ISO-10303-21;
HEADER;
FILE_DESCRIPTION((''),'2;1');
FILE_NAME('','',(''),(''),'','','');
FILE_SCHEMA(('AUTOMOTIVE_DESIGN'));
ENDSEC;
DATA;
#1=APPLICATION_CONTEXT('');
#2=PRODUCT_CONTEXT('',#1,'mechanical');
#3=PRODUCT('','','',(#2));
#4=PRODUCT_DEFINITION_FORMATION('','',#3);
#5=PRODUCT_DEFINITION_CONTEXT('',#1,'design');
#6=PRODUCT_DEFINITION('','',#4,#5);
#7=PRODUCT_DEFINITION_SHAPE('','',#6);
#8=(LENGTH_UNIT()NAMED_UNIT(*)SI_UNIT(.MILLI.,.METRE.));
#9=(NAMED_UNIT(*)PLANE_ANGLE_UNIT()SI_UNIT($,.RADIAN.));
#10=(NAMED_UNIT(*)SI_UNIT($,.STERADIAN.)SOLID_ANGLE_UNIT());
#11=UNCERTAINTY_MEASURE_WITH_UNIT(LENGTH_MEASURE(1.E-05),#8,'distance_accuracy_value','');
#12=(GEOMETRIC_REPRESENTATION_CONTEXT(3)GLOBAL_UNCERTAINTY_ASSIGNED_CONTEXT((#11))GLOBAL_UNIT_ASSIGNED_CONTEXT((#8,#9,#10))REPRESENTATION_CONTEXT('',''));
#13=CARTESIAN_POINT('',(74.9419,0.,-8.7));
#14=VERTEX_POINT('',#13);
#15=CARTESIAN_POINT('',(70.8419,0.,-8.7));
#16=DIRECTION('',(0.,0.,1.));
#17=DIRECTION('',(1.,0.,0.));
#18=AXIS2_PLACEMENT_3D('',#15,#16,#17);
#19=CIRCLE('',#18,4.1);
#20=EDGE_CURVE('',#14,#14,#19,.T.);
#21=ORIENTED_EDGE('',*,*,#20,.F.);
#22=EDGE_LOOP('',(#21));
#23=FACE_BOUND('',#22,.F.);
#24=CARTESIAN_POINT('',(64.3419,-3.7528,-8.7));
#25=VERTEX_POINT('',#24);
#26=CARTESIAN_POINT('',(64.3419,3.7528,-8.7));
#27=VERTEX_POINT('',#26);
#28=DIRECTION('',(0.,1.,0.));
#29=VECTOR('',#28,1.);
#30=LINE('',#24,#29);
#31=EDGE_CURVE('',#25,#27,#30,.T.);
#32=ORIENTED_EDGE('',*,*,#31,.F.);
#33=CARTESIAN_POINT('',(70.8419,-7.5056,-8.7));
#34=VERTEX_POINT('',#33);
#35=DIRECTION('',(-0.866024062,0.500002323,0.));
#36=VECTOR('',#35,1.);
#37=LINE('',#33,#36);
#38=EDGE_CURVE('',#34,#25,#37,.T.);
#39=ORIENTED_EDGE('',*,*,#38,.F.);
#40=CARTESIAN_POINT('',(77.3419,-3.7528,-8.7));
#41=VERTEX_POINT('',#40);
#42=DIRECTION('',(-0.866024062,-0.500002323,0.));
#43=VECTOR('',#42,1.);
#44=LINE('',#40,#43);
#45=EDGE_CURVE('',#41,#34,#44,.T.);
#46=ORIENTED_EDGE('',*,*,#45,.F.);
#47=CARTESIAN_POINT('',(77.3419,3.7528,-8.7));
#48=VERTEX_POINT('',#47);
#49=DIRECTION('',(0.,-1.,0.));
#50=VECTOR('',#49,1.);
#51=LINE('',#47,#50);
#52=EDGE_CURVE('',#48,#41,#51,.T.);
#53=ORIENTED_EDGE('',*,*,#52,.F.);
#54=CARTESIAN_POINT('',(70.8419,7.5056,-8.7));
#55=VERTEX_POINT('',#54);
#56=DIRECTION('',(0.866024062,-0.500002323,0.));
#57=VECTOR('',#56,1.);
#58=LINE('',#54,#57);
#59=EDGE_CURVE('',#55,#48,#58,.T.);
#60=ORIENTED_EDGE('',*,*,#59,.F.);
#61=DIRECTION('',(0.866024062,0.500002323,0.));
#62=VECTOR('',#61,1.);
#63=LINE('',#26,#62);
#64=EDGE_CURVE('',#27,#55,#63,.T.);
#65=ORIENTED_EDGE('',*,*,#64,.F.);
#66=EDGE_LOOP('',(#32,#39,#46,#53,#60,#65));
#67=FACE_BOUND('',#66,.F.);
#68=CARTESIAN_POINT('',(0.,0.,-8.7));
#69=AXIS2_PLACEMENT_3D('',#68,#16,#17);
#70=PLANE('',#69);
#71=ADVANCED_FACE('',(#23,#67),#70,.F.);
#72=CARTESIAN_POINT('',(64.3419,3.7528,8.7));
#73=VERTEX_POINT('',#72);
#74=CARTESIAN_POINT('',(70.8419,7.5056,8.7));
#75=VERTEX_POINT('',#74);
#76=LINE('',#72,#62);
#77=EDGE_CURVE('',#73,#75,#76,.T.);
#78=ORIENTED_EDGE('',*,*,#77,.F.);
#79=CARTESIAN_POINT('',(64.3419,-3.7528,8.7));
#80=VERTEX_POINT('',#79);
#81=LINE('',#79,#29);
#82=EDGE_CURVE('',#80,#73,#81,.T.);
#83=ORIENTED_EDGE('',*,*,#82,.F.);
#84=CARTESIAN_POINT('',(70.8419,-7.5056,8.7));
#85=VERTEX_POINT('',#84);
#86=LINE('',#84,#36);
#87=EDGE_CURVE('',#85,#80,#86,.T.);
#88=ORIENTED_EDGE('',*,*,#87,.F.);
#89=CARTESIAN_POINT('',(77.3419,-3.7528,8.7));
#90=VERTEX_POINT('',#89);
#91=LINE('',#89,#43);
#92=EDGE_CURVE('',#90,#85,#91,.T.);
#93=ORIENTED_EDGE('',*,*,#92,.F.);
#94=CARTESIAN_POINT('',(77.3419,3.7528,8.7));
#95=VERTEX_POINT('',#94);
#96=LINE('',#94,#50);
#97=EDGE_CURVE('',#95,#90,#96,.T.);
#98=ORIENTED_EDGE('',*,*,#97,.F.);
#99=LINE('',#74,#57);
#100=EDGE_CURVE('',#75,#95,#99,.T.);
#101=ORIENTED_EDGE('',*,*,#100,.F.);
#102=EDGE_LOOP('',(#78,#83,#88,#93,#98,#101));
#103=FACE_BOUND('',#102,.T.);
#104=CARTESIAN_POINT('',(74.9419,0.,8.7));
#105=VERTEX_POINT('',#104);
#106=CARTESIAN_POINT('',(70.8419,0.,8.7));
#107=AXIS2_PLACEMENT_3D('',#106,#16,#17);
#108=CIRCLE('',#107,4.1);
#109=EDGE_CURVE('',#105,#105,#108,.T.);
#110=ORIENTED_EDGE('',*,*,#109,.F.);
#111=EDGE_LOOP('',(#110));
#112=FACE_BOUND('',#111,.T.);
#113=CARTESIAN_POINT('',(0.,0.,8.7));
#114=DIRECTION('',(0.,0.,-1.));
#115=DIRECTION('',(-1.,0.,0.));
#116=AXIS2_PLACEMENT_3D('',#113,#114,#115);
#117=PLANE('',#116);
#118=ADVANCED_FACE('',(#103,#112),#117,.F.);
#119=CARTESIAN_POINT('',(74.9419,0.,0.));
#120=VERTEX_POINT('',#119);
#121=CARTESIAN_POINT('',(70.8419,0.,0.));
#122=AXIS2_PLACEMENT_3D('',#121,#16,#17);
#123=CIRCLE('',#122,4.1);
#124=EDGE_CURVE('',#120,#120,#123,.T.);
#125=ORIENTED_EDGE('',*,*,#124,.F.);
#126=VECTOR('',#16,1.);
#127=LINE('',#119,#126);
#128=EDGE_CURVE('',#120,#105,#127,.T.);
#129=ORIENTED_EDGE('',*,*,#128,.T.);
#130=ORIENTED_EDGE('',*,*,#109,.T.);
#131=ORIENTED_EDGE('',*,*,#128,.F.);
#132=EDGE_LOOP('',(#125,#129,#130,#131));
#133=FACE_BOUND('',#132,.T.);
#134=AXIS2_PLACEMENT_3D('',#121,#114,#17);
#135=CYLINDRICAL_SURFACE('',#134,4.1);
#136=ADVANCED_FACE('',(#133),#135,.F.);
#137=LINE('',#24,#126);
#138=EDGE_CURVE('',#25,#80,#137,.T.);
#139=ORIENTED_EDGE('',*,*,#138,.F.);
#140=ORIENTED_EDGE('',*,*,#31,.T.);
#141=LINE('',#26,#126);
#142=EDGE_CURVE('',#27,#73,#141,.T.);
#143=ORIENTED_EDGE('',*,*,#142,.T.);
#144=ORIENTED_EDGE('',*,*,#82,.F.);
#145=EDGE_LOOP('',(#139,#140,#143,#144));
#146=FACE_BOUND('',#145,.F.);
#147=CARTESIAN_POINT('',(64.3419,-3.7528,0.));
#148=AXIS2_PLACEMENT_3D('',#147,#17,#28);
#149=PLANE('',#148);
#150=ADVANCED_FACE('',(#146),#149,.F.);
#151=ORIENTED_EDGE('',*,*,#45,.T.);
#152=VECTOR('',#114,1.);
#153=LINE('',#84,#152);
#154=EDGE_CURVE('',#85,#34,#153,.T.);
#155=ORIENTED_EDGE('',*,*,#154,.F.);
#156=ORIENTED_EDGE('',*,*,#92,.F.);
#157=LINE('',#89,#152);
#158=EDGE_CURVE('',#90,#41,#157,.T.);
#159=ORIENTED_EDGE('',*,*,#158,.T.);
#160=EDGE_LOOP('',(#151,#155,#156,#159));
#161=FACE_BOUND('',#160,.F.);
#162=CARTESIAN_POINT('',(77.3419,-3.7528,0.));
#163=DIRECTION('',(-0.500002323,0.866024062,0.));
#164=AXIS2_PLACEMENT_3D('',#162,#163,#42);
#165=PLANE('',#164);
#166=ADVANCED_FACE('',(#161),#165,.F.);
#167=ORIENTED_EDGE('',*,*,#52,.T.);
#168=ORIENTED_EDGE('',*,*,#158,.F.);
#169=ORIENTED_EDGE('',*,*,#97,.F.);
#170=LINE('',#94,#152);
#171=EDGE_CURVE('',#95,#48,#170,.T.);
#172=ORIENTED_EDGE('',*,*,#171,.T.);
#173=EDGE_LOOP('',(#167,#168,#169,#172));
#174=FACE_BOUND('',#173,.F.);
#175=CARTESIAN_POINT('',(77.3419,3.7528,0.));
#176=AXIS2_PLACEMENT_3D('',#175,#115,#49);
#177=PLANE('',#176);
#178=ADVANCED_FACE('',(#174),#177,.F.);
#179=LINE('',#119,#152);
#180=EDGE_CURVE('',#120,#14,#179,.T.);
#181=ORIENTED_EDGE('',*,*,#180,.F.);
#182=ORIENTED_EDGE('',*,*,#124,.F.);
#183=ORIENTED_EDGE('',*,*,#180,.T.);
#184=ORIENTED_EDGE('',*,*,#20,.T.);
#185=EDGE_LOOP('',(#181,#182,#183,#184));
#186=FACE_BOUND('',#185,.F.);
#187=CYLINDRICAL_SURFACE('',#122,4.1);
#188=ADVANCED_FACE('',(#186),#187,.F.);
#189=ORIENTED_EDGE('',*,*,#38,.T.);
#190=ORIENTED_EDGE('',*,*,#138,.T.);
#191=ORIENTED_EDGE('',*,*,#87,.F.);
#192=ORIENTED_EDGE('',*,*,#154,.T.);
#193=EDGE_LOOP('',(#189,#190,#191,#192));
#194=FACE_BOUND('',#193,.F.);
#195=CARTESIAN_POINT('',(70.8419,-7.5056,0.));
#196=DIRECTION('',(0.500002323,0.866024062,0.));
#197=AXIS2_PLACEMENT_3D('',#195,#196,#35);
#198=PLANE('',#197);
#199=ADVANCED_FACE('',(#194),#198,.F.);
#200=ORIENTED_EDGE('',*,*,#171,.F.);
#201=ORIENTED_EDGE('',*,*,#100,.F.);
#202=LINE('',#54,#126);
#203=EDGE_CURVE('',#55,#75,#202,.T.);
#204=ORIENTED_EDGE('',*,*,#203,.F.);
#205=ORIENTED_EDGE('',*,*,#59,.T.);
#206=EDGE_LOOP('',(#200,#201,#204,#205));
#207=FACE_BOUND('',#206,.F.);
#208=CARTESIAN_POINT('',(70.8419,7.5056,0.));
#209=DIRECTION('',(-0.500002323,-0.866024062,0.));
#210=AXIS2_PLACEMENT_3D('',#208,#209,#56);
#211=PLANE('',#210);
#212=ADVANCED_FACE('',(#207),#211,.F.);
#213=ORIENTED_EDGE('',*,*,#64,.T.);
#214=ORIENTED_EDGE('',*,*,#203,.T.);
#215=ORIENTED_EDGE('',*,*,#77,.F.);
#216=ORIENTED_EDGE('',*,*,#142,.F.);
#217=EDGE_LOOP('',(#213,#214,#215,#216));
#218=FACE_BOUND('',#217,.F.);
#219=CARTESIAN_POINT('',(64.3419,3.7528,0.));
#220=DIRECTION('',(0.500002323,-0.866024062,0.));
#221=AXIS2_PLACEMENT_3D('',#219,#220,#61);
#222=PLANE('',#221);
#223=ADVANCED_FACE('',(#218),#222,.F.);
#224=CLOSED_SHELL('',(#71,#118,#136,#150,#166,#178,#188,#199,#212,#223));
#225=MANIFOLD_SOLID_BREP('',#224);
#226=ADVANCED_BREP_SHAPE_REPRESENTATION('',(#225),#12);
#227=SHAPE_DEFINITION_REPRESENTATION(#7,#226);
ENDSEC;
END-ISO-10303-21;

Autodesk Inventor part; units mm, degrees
ref_plane "YZ Plane" through (0, 0, 0) normal (1, 0, 0) x (0, 1, 0)
ref_plane "XZ Plane" through (0, 0, 0) normal (0, 1, 0) x (-1, 0, 0)
ref_plane "XY Plane" through (0, 0, 0) normal (0, 0, 1) x (1, 0, 0)
sketch "Skizze1" plane through (0, 0, 0) normal (0, 0, 1) x (1, 0, 0)
  line L0 (70.8419, 7.621) -> (77.4419, 3.8105) construction
  line L1 (64.2419, 3.8105) -> (70.8419, 7.621) construction
  line L2 (70.8419, 7.5056) -> (77.3419, 3.7528)
  line L3 (77.3419, 3.7528) -> (77.3419, -3.7528)
  line L4 (77.3419, -3.7528) -> (70.8419, -7.5056)
  line L5 (70.8419, -7.5056) -> (64.3419, -3.7528)
  line L6 (64.3419, -3.7528) -> (64.3419, 3.7528)
  line L7 (64.3419, 3.7528) -> (70.8419, 7.5056)
  circle A0 centre (70.8419, 0) radius 4.1
  point P0 (0, 0)
  dimension "d0" = 13
  dimension "d1" = 8.2
extrude "Extrusion1" add sketch "Skizze1" against normal blind 8.7
mirror "Spiegeln1" about plane through (70.8419, 0, 0) normal (0, 0, 1) of "Extrusion1"
properties part number "Nutplacer" material "ABS-Kunststoff - Schwarz"
